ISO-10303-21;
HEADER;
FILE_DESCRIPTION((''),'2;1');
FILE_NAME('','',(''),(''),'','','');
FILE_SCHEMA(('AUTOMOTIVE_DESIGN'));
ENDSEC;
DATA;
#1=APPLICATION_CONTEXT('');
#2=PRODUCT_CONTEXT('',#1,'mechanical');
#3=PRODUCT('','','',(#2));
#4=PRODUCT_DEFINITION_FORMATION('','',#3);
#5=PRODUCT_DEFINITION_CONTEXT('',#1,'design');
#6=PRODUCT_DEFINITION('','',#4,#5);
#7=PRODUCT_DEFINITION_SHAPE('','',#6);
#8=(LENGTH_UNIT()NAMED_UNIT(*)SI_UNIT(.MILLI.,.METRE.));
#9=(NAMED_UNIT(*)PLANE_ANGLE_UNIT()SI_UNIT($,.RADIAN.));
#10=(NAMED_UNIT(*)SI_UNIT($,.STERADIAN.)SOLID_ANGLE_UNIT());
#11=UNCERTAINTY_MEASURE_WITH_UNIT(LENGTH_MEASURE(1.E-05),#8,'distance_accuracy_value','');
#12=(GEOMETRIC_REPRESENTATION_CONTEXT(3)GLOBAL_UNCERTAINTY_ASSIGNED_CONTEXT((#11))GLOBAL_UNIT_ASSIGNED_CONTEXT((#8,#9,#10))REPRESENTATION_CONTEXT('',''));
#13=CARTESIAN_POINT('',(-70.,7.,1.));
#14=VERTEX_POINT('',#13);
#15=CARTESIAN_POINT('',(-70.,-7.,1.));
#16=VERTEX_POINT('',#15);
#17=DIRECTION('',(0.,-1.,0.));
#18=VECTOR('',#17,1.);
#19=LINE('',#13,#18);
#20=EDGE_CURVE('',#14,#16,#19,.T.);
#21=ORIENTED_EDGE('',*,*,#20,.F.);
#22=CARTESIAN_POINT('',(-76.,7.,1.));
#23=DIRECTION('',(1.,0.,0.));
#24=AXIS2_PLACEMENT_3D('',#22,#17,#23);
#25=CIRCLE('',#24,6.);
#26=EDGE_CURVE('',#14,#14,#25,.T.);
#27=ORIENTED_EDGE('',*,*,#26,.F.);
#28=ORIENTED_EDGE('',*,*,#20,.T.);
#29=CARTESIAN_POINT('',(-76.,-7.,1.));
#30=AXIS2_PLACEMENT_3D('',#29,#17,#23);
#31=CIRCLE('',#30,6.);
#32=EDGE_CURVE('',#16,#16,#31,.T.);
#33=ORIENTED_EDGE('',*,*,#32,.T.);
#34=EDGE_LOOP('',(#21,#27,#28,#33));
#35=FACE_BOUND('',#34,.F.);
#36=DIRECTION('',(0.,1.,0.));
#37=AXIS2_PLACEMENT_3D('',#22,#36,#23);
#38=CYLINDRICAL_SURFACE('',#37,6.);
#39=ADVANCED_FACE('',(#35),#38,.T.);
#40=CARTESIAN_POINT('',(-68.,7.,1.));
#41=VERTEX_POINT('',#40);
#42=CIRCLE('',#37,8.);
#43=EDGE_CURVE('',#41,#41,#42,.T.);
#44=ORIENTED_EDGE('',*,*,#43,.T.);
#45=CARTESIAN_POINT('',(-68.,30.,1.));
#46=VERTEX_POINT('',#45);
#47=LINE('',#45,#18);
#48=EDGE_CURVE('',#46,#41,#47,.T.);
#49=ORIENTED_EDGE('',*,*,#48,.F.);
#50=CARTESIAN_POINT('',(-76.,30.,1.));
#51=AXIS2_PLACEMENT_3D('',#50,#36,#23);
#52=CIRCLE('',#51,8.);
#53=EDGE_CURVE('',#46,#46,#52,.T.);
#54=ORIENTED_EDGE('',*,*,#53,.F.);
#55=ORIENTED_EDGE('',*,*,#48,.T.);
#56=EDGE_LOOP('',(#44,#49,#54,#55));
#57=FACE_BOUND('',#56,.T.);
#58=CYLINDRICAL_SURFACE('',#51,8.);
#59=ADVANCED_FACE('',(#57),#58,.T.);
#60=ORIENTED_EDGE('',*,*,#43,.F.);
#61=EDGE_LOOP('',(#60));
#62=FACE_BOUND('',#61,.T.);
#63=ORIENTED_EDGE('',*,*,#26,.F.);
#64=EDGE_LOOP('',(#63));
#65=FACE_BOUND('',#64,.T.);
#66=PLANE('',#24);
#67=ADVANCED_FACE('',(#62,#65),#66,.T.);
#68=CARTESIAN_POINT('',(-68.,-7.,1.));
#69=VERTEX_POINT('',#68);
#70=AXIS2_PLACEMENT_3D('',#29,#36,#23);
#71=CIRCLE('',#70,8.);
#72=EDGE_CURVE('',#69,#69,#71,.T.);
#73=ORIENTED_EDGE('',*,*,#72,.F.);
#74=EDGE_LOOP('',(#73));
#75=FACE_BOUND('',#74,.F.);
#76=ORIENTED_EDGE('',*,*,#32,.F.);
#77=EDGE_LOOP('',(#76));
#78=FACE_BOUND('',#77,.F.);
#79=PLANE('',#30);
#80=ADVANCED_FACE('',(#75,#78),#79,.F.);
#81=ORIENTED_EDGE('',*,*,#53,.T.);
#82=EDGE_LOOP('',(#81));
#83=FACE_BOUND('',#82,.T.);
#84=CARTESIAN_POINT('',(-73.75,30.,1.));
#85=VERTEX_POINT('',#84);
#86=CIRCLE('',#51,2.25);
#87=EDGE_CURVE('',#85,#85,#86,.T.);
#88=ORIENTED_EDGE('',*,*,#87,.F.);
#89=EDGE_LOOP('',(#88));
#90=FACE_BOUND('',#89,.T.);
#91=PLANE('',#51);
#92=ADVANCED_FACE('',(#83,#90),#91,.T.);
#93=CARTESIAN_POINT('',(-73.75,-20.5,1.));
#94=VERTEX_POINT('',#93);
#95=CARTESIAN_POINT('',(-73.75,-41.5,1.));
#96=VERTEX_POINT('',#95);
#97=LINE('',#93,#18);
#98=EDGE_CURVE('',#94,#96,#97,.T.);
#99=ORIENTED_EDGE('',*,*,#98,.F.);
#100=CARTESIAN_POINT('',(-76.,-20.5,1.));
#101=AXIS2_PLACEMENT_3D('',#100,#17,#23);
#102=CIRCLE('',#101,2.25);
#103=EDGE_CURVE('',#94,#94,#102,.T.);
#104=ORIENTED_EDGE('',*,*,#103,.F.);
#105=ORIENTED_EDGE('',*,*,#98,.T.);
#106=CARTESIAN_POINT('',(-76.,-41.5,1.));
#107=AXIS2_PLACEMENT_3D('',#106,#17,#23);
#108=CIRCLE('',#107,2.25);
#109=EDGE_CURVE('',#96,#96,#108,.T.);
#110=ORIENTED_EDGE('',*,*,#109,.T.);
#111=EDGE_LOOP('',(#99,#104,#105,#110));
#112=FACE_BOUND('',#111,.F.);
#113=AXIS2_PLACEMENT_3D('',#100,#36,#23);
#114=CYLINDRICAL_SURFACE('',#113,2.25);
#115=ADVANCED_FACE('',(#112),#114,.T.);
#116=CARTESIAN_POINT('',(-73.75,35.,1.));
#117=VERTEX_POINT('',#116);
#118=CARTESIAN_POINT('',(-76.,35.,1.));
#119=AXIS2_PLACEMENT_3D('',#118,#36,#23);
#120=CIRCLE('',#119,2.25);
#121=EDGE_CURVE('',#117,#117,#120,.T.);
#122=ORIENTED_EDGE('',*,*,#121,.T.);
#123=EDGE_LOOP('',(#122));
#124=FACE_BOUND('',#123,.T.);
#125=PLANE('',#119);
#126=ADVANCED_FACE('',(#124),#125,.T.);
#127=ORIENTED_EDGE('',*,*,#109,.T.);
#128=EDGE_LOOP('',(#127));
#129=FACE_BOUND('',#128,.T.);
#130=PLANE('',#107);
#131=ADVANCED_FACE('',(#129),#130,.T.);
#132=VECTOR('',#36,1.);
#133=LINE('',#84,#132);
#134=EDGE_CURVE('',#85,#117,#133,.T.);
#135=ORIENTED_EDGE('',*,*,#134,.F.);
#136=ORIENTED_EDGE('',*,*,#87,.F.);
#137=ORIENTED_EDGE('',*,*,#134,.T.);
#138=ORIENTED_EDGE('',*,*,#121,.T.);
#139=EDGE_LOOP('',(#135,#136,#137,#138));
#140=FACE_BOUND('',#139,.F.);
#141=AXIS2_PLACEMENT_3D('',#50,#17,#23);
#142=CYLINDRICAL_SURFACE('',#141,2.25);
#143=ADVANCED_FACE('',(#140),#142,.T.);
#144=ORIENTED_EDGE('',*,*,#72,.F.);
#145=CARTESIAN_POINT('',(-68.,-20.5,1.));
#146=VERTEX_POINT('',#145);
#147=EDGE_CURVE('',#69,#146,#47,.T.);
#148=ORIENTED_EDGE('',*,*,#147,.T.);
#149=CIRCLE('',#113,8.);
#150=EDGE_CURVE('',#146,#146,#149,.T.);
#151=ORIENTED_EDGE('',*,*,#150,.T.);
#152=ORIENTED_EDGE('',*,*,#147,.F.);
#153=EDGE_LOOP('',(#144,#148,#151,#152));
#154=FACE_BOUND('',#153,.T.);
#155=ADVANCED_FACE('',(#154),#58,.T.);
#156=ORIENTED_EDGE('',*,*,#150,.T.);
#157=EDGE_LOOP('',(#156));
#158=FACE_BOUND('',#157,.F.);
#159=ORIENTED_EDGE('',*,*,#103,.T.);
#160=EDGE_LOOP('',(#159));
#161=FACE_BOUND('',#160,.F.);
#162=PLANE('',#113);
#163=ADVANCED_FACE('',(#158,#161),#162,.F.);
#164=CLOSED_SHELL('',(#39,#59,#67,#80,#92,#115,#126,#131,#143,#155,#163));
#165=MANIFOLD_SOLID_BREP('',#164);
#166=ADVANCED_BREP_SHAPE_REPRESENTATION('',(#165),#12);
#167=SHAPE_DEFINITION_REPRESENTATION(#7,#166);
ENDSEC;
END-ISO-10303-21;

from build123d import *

# Parameters (mm, degrees)
TUBE001_R               = 10
TUBE001_R_2             = 6
TUBE001_DEPTH           = 14
SKETCH083_R             = 8
PAD059_DEPTH            = 50.5
SKETCH277_R             = 2.25
PAD114_DEPTH            = 5
SKETCH284_R             = 2.25
PAD119_DEPTH            = 21
BODY035_PLACEMENT_ANGLE = 180


with BuildPart() as tube001:
    # Tube001 → Tube001 (new body)
    with BuildSketch(Plane(origin=(-76, 7, 1), x_dir=(1, 0, 0), z_dir=(0, -1, 0))):
        Circle(TUBE001_R)
        Circle(TUBE001_R_2, mode=Mode.SUBTRACT)
    extrude(amount=TUBE001_DEPTH)


with BuildPart() as cut:
    # Sketch083 → Pad059 (new body)
    with BuildSketch(Plane.XZ):
        Circle(SKETCH083_R)
    extrude(amount=-PAD059_DEPTH)

    # Sketch277 (on Face2 of Pad059) → Pad114 (join)
    with BuildSketch(Plane.XZ):
        Circle(SKETCH277_R)
    extrude(amount=PAD114_DEPTH)

    # Sketch284 (on Face3 of Pad114) → Pad119 (join)
    with BuildSketch(Plane(origin=(0, 50.5, 0), x_dir=(1, 0, 0), z_dir=(0, 1, 0))):
        Circle(SKETCH284_R)
    extrude(amount=PAD119_DEPTH)


with BuildPart() as cut_1:
    # Body035 placement: moved
    add(cut.part.moved(Location((-76, 30, 1))).rotate(Axis((-76, 30, 1), (1, 0, 0)), BODY035_PLACEMENT_ANGLE))

    # Cut: cut Tube001
    add(tube001.part, mode=Mode.SUBTRACT)


solid = cut_1.part
